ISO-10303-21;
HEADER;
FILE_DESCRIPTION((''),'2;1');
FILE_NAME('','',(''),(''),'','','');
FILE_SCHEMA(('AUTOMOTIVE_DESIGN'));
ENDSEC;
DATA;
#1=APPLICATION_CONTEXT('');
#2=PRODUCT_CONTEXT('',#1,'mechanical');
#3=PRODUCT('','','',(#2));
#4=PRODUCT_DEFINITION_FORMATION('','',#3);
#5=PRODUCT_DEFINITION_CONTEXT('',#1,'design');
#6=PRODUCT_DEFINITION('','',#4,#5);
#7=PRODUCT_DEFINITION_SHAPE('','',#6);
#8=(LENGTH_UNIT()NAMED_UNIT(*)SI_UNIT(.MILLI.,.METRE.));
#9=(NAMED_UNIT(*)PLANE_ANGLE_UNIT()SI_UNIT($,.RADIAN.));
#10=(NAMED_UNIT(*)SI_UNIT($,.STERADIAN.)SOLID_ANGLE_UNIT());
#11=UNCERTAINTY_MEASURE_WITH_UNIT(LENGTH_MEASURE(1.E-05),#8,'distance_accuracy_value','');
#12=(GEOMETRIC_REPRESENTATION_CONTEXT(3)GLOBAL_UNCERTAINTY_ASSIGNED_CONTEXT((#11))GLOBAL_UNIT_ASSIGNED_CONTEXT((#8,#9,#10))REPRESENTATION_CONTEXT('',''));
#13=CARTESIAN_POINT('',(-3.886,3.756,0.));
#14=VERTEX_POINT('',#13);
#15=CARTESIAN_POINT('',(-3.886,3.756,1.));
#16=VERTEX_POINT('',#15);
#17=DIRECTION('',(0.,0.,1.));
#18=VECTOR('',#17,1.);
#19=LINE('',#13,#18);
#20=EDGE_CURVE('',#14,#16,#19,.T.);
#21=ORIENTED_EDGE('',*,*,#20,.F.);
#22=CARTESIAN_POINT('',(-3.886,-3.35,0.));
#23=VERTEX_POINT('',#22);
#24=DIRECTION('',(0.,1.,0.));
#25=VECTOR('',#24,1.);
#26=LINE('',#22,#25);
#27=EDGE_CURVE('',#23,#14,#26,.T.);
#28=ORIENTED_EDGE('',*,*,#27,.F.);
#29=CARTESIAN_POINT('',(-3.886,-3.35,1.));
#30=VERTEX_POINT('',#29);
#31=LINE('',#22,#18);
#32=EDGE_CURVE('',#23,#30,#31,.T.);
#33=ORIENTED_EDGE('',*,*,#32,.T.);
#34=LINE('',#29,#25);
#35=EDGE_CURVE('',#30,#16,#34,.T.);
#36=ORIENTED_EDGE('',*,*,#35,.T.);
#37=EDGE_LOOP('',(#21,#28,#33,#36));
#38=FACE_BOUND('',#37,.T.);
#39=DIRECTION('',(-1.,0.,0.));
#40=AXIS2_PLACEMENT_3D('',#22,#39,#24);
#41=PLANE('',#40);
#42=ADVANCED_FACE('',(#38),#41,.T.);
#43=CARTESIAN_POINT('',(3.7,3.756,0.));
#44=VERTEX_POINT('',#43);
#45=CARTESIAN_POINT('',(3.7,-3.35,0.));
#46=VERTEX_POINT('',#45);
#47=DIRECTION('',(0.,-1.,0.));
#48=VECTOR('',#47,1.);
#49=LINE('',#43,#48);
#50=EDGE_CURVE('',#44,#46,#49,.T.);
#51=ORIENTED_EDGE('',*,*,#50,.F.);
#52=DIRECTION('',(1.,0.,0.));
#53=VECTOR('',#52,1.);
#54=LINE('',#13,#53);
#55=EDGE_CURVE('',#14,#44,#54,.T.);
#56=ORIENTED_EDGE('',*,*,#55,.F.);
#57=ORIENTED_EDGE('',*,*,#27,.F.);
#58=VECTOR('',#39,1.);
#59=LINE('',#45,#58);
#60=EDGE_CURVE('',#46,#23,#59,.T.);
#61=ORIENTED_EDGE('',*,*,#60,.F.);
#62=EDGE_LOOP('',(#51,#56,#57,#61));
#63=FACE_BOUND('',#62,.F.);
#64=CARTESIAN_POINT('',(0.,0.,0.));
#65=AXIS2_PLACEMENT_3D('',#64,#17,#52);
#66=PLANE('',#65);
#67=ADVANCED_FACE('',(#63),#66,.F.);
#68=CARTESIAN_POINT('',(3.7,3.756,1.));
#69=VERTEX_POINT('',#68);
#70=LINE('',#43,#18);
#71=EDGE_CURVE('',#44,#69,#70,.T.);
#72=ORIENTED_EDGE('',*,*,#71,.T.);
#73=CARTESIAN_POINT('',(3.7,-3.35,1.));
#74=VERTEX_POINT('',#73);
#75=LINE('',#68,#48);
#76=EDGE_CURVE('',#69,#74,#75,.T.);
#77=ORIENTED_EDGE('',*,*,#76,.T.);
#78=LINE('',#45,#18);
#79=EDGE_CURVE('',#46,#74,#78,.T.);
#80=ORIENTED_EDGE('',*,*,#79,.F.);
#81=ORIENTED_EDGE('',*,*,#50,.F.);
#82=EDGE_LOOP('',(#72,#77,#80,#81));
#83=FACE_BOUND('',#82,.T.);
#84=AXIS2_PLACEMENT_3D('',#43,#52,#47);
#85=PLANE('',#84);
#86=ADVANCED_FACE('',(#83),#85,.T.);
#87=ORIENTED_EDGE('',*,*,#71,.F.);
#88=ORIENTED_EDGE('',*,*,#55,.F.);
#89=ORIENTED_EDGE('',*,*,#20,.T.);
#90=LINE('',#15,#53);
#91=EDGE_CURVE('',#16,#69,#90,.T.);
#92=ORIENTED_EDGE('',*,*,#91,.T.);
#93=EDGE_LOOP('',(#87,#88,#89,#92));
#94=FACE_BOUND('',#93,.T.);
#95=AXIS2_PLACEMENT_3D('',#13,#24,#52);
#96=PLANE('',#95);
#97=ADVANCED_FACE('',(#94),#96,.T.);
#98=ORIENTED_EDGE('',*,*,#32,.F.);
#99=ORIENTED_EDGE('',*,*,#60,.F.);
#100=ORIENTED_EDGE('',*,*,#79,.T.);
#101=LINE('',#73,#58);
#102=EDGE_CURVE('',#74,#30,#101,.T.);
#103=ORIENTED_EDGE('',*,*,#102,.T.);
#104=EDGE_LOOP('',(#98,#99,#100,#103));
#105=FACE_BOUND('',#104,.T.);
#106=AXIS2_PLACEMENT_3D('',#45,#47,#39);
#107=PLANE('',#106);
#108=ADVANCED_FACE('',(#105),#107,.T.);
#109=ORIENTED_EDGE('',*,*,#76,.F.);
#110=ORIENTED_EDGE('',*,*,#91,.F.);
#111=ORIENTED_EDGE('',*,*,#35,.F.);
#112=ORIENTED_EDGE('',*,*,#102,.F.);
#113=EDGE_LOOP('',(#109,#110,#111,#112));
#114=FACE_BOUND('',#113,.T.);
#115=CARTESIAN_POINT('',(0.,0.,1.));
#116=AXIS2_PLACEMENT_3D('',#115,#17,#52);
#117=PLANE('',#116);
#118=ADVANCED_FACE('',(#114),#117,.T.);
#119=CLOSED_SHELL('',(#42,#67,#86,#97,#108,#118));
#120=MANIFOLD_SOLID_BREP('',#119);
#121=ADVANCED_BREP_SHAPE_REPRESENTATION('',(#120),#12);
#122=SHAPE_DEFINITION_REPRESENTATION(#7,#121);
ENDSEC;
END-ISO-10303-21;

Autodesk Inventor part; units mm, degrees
ref_plane "YZ Plane" through (0, 0, 0) normal (1, 0, 0) x (0, 1, 0)
ref_plane "XZ Plane" through (0, 0, 0) normal (0, 1, 0) x (-1, 0, 0)
ref_plane "XY Plane" through (0, 0, 0) normal (0, 0, 1) x (1, 0, 0)
sketch "TSSOP20, SN74LV244A_193" plane through (0, 0, 0) normal (0, 0, 1) x (1, 0, 0)
  line L0 (-3.886, -3.35) -> (-3.886, 3.756)
  line L1 (-3.886, 3.756) -> (3.7, 3.756)
  line L2 (3.7, 3.756) -> (3.7, -3.35)
  line L3 (3.7, -3.35) -> (-3.886, -3.35)
extrude "Extrusion1" add sketch "TSSOP20, SN74LV244A_193" along normal blind 1
properties part number "SN74LV244A"
